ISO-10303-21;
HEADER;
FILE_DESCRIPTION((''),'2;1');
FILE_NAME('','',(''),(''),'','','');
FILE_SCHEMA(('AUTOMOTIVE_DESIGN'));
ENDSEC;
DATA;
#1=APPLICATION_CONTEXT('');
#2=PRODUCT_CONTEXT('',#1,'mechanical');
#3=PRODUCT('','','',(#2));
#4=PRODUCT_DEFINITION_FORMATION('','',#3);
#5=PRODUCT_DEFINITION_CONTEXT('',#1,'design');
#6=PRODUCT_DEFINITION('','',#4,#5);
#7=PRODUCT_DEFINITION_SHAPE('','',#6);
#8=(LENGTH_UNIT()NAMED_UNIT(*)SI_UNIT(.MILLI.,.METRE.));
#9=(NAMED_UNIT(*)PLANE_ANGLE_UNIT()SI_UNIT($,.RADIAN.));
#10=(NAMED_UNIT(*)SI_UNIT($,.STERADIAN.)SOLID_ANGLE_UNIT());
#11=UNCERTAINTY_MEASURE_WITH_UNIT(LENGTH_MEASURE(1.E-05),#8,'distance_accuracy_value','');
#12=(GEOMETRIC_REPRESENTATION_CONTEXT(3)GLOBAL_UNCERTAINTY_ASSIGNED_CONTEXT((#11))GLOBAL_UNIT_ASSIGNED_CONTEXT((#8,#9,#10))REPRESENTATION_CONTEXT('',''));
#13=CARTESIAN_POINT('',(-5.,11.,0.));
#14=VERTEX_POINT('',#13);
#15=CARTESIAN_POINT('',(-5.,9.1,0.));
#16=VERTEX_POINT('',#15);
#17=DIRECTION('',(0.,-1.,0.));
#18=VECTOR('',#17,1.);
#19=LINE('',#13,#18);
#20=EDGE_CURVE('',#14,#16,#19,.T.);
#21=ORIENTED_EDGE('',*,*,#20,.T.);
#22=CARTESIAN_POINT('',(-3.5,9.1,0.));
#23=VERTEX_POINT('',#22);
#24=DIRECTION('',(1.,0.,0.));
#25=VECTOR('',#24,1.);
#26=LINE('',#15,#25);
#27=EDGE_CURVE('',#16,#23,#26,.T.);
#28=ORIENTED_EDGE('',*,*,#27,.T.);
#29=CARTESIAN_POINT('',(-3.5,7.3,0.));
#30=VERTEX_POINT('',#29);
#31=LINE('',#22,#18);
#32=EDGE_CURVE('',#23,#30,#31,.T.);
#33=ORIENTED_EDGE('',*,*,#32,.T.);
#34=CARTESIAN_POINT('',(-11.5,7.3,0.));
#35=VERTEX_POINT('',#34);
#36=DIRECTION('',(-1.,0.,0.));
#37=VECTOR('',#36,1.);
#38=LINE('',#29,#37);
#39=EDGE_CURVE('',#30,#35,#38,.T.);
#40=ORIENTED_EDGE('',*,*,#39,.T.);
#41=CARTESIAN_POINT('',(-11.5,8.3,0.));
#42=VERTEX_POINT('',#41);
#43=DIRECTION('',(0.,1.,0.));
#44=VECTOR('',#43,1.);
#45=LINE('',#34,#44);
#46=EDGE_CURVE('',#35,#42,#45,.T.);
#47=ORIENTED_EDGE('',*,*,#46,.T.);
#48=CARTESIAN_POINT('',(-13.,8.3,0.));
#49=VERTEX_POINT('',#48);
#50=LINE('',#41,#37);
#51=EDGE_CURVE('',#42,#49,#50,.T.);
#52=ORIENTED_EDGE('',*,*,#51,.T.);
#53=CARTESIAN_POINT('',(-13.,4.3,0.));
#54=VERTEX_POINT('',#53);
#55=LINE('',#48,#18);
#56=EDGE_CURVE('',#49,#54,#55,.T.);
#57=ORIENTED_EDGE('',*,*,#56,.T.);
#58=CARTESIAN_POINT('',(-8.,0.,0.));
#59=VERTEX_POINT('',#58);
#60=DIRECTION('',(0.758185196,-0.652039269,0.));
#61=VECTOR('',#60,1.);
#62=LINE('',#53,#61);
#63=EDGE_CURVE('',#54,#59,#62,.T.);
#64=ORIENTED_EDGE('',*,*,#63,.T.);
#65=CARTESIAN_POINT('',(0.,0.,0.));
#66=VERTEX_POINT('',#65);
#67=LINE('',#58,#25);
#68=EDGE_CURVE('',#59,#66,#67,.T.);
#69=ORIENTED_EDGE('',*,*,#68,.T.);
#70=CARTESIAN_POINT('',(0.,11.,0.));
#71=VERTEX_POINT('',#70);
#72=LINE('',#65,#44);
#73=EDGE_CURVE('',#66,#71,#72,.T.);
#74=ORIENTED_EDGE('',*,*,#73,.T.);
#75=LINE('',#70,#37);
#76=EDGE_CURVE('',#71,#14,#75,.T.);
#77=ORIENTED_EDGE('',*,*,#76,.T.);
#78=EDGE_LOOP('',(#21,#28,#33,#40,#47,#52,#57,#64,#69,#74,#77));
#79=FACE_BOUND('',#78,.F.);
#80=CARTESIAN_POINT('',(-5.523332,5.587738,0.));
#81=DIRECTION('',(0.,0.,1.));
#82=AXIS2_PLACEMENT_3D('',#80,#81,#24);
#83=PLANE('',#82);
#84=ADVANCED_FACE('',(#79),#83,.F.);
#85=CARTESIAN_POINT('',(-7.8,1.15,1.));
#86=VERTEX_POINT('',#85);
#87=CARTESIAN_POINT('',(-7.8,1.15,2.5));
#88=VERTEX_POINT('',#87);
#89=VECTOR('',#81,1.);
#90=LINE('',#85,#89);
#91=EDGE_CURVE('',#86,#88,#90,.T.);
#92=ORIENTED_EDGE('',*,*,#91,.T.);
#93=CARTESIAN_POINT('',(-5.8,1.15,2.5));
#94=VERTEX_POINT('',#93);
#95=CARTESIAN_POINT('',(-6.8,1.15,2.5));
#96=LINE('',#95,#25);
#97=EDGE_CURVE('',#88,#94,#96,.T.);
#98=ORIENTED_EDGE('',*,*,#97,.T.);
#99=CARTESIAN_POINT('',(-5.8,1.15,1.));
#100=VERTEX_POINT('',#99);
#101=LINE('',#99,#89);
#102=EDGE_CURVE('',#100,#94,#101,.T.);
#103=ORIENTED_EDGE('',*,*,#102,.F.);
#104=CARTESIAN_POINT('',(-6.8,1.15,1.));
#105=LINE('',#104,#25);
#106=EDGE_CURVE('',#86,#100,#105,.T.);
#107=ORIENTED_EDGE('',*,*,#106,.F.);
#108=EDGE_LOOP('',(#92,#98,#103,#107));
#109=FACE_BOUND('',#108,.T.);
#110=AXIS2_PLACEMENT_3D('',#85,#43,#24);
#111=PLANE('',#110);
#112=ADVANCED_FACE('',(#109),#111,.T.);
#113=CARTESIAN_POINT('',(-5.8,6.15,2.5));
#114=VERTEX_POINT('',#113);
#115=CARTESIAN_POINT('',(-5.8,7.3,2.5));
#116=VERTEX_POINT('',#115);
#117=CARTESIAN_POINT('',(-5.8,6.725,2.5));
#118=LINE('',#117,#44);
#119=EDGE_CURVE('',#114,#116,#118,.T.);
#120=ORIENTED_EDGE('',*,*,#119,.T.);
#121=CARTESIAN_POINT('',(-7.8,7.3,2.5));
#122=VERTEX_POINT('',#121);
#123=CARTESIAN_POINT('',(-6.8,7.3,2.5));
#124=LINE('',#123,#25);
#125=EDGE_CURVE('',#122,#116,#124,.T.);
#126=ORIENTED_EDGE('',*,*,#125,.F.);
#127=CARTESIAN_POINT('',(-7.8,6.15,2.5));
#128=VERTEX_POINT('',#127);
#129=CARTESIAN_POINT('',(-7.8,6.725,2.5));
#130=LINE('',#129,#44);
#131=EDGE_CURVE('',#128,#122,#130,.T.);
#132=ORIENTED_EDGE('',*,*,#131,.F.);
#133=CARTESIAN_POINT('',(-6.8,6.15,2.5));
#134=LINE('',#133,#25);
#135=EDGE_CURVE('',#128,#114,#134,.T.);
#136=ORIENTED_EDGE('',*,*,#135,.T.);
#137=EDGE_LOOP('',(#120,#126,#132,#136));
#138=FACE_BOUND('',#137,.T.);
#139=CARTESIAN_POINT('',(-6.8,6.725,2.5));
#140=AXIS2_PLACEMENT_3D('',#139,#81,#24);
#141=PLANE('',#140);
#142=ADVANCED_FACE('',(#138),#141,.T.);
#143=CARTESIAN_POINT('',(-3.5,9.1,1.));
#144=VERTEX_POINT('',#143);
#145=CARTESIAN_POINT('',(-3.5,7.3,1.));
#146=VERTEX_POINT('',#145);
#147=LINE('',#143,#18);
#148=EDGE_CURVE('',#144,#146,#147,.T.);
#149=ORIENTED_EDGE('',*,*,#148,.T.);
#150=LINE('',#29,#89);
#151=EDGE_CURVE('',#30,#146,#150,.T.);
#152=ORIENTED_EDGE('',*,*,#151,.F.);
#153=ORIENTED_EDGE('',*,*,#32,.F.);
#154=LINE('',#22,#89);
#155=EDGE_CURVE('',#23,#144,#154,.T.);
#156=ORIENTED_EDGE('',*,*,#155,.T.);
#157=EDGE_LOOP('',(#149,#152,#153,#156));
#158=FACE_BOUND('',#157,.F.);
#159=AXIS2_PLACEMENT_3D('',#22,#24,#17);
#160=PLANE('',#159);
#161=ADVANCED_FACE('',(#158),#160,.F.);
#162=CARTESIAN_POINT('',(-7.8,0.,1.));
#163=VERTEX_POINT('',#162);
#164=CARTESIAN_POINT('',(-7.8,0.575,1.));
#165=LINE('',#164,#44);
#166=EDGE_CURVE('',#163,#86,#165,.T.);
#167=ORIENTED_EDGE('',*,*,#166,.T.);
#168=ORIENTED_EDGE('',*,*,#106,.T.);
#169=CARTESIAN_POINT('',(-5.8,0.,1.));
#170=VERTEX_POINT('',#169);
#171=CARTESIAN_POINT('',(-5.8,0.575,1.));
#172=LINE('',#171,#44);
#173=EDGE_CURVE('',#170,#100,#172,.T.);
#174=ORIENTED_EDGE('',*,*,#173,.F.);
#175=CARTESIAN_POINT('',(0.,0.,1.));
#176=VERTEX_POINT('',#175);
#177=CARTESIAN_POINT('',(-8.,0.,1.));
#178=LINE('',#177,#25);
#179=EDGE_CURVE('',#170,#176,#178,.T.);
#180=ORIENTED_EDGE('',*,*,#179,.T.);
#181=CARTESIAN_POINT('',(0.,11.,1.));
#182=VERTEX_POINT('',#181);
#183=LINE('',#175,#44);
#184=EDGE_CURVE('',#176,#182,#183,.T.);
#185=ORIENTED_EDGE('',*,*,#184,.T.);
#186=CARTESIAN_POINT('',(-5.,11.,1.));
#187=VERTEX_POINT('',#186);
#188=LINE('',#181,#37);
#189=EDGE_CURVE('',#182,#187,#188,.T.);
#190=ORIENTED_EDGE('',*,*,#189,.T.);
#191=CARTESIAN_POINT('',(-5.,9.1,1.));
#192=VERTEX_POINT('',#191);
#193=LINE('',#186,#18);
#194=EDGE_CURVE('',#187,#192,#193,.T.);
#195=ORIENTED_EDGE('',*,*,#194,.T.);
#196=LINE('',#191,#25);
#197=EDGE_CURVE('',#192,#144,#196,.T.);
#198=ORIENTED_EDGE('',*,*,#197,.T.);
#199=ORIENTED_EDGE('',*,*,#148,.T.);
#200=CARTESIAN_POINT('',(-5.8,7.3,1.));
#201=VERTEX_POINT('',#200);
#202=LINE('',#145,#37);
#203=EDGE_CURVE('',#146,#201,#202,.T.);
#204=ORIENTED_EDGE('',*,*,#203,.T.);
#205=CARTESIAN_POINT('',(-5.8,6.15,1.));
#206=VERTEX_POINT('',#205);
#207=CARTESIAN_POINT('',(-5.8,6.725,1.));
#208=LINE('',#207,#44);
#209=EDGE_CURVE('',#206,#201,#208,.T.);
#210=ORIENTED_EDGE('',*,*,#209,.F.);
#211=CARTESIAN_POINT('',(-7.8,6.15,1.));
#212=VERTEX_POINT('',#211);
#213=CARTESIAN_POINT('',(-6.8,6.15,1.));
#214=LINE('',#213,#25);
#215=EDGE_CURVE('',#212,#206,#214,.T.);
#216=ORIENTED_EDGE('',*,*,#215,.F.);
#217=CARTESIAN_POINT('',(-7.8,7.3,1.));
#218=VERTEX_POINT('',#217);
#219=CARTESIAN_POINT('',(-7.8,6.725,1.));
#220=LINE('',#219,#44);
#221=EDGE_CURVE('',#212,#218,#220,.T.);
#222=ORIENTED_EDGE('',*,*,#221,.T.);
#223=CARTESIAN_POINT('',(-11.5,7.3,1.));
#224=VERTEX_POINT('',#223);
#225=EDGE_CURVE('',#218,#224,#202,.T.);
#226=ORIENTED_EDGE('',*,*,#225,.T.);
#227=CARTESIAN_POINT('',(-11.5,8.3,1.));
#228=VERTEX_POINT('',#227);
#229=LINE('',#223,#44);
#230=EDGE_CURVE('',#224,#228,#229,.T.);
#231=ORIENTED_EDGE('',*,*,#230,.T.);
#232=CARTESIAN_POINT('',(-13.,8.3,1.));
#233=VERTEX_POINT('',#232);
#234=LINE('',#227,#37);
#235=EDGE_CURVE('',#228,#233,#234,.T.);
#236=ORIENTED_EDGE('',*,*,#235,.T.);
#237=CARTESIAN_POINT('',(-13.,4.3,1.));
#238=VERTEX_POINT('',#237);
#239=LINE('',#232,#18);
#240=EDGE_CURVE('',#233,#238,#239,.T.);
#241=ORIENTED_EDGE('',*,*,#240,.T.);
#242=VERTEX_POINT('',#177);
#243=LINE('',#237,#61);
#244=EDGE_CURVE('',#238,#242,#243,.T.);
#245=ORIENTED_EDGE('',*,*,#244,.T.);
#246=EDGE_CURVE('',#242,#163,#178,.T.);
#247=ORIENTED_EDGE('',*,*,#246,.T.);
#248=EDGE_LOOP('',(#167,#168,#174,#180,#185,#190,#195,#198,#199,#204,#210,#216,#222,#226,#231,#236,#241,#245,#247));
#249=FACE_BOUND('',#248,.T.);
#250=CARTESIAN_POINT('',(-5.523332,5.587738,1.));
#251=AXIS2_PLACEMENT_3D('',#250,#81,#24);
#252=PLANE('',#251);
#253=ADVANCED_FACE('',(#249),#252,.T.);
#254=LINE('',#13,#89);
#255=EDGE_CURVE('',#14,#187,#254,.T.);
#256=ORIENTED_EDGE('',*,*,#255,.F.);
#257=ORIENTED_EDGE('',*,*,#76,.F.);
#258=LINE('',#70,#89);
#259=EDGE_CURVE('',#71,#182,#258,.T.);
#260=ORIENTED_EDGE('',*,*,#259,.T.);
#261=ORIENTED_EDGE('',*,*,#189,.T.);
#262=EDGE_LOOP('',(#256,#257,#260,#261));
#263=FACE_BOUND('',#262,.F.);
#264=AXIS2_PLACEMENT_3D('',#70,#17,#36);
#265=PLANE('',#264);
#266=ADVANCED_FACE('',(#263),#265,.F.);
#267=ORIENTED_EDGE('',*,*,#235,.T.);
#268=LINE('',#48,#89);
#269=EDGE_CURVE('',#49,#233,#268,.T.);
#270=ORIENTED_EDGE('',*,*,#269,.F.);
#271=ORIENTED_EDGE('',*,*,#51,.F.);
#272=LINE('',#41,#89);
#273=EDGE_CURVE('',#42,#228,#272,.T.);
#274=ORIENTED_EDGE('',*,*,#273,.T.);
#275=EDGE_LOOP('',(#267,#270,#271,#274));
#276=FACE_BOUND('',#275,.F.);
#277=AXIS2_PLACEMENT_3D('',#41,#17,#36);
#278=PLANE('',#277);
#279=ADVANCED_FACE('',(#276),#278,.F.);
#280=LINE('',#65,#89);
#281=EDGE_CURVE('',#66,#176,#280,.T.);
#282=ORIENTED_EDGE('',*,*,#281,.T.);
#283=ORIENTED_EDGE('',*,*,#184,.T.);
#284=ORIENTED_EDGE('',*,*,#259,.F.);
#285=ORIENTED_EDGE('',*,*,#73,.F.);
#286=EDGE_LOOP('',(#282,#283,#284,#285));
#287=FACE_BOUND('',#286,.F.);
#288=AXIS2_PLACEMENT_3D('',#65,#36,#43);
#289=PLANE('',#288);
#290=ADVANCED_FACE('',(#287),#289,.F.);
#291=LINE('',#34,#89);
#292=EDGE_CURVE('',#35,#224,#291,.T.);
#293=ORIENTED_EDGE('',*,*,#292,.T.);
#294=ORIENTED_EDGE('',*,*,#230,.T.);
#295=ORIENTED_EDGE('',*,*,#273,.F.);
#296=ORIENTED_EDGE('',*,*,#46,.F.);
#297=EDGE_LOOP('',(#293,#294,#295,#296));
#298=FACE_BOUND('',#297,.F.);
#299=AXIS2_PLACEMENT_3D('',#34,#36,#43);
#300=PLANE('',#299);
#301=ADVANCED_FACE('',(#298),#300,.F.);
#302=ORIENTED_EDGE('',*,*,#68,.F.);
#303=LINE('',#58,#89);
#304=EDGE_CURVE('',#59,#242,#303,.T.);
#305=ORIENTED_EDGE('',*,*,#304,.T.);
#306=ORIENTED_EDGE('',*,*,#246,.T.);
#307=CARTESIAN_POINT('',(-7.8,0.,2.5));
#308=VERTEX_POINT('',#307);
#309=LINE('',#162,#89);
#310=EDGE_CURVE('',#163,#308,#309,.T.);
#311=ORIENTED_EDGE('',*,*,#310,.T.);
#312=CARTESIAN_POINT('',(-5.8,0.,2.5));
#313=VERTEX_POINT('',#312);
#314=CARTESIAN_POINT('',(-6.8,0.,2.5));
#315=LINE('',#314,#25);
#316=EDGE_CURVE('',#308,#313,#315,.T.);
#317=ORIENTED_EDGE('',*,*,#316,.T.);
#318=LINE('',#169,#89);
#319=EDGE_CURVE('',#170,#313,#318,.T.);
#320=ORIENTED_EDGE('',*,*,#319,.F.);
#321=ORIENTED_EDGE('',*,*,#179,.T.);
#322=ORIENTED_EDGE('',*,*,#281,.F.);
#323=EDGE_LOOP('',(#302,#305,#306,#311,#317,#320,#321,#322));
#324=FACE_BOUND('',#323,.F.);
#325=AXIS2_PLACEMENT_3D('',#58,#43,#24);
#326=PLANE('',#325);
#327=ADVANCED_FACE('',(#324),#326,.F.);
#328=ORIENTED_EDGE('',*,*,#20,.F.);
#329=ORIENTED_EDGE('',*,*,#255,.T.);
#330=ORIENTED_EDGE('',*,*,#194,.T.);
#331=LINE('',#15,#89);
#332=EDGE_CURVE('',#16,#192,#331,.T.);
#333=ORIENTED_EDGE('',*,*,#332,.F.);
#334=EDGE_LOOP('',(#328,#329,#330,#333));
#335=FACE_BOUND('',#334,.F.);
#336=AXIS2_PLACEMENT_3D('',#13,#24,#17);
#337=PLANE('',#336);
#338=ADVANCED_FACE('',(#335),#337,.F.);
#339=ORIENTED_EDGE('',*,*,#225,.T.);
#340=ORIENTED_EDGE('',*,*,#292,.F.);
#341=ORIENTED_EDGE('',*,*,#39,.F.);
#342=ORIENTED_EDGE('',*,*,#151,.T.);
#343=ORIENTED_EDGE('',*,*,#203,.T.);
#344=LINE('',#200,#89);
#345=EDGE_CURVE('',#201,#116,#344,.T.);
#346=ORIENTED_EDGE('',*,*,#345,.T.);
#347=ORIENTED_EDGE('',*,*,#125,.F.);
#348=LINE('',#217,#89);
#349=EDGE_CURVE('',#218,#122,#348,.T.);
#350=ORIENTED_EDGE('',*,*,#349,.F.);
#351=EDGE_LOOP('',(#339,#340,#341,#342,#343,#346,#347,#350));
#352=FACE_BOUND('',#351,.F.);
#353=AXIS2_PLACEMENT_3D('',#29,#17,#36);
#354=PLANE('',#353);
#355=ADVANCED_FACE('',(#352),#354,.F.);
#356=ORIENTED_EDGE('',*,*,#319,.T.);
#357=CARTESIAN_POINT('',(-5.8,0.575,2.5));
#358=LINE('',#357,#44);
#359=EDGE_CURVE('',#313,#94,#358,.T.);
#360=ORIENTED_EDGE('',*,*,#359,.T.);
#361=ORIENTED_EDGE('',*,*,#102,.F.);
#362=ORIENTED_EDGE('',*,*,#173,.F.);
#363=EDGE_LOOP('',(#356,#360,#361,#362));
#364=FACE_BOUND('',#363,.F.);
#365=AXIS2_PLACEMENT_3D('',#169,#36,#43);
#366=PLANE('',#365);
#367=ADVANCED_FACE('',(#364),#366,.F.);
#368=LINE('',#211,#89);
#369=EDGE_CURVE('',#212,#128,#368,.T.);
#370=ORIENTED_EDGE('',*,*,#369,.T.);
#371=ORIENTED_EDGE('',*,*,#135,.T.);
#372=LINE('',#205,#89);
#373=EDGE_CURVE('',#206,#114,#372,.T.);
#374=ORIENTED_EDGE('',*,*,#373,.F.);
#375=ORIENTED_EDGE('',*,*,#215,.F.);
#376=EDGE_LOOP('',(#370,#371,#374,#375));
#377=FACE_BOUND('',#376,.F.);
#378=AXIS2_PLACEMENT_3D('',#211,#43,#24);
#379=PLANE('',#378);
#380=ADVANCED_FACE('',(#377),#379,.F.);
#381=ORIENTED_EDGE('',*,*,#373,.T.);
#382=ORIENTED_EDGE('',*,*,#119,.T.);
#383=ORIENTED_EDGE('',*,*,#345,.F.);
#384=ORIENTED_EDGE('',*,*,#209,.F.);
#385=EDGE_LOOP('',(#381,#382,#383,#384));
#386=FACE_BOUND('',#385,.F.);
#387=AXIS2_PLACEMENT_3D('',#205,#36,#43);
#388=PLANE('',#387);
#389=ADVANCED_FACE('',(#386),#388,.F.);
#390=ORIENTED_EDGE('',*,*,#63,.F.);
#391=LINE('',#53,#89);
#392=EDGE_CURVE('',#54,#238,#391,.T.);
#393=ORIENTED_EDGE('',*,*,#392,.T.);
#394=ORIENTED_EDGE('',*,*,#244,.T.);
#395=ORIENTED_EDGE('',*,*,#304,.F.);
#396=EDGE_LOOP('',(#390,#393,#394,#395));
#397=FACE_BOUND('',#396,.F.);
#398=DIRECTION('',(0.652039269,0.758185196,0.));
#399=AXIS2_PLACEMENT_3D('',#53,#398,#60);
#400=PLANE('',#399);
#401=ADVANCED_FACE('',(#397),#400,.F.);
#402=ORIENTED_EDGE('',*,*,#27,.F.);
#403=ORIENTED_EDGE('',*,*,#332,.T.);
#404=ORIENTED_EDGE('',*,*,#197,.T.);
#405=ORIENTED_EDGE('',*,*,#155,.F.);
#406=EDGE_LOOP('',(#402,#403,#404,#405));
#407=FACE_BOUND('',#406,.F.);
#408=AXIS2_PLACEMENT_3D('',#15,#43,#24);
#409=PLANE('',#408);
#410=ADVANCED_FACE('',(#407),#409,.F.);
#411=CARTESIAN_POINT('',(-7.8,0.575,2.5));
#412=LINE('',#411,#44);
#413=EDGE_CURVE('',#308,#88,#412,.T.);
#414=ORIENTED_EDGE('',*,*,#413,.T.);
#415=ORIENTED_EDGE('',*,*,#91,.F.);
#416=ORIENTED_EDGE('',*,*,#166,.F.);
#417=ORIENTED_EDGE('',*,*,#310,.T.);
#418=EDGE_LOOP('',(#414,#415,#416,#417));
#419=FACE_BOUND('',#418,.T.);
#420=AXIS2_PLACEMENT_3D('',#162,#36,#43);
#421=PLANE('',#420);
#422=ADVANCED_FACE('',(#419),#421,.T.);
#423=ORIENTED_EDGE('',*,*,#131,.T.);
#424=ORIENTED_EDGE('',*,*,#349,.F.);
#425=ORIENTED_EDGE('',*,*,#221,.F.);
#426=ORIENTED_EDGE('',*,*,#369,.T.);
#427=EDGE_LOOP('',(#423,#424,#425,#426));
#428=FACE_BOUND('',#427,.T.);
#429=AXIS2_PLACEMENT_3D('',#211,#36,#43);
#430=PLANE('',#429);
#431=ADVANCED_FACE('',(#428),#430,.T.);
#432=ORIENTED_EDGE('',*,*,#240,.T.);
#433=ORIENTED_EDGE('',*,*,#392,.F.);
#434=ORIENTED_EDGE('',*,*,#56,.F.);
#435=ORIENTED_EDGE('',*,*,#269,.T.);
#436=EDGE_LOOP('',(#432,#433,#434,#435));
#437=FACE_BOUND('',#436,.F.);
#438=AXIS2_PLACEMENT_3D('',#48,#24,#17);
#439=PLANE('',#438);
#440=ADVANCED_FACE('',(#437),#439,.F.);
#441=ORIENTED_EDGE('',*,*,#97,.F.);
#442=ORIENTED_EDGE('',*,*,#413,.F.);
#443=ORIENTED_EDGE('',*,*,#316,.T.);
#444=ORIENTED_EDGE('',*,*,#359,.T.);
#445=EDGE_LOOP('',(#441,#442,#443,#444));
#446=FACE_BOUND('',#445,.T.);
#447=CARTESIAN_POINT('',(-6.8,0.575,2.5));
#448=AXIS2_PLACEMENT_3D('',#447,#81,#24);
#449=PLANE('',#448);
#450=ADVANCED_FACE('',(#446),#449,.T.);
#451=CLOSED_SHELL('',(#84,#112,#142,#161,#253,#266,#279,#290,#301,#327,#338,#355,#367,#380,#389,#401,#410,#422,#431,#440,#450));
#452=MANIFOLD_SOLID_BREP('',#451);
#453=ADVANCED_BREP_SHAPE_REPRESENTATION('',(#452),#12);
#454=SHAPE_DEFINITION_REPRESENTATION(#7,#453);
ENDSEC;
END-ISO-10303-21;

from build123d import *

# Parameters (mm, degrees)
F1_DEPTH = 1
F2_W     = 2
F2_H     = 1.15
F3_DEPTH = 1.5


with BuildPart() as f1:
    # F0 (on Top) → F1 (new body)
    with BuildSketch(Plane.XY):
        Polygon((-8, 0), (0, 0), (0, 11), (-5, 11), (-5, 9.1), (-3.5, 9.1), (-3.5, 7.3), (-11.5, 7.3), (-11.5, 8.3), (-13, 8.3), (-13, 4.3), align=None)
    extrude(amount=F1_DEPTH)

    # F2 (on face) → F3 (join)
    with BuildSketch(Plane.XY.offset(1)):
        with Locations((-6.8, 0.575)):
            Rectangle(F2_W, F2_H)
        with Locations((-6.8, 6.725)):
            Rectangle(F2_W, F2_H)
    extrude(amount=F3_DEPTH)


solid = f1.part
